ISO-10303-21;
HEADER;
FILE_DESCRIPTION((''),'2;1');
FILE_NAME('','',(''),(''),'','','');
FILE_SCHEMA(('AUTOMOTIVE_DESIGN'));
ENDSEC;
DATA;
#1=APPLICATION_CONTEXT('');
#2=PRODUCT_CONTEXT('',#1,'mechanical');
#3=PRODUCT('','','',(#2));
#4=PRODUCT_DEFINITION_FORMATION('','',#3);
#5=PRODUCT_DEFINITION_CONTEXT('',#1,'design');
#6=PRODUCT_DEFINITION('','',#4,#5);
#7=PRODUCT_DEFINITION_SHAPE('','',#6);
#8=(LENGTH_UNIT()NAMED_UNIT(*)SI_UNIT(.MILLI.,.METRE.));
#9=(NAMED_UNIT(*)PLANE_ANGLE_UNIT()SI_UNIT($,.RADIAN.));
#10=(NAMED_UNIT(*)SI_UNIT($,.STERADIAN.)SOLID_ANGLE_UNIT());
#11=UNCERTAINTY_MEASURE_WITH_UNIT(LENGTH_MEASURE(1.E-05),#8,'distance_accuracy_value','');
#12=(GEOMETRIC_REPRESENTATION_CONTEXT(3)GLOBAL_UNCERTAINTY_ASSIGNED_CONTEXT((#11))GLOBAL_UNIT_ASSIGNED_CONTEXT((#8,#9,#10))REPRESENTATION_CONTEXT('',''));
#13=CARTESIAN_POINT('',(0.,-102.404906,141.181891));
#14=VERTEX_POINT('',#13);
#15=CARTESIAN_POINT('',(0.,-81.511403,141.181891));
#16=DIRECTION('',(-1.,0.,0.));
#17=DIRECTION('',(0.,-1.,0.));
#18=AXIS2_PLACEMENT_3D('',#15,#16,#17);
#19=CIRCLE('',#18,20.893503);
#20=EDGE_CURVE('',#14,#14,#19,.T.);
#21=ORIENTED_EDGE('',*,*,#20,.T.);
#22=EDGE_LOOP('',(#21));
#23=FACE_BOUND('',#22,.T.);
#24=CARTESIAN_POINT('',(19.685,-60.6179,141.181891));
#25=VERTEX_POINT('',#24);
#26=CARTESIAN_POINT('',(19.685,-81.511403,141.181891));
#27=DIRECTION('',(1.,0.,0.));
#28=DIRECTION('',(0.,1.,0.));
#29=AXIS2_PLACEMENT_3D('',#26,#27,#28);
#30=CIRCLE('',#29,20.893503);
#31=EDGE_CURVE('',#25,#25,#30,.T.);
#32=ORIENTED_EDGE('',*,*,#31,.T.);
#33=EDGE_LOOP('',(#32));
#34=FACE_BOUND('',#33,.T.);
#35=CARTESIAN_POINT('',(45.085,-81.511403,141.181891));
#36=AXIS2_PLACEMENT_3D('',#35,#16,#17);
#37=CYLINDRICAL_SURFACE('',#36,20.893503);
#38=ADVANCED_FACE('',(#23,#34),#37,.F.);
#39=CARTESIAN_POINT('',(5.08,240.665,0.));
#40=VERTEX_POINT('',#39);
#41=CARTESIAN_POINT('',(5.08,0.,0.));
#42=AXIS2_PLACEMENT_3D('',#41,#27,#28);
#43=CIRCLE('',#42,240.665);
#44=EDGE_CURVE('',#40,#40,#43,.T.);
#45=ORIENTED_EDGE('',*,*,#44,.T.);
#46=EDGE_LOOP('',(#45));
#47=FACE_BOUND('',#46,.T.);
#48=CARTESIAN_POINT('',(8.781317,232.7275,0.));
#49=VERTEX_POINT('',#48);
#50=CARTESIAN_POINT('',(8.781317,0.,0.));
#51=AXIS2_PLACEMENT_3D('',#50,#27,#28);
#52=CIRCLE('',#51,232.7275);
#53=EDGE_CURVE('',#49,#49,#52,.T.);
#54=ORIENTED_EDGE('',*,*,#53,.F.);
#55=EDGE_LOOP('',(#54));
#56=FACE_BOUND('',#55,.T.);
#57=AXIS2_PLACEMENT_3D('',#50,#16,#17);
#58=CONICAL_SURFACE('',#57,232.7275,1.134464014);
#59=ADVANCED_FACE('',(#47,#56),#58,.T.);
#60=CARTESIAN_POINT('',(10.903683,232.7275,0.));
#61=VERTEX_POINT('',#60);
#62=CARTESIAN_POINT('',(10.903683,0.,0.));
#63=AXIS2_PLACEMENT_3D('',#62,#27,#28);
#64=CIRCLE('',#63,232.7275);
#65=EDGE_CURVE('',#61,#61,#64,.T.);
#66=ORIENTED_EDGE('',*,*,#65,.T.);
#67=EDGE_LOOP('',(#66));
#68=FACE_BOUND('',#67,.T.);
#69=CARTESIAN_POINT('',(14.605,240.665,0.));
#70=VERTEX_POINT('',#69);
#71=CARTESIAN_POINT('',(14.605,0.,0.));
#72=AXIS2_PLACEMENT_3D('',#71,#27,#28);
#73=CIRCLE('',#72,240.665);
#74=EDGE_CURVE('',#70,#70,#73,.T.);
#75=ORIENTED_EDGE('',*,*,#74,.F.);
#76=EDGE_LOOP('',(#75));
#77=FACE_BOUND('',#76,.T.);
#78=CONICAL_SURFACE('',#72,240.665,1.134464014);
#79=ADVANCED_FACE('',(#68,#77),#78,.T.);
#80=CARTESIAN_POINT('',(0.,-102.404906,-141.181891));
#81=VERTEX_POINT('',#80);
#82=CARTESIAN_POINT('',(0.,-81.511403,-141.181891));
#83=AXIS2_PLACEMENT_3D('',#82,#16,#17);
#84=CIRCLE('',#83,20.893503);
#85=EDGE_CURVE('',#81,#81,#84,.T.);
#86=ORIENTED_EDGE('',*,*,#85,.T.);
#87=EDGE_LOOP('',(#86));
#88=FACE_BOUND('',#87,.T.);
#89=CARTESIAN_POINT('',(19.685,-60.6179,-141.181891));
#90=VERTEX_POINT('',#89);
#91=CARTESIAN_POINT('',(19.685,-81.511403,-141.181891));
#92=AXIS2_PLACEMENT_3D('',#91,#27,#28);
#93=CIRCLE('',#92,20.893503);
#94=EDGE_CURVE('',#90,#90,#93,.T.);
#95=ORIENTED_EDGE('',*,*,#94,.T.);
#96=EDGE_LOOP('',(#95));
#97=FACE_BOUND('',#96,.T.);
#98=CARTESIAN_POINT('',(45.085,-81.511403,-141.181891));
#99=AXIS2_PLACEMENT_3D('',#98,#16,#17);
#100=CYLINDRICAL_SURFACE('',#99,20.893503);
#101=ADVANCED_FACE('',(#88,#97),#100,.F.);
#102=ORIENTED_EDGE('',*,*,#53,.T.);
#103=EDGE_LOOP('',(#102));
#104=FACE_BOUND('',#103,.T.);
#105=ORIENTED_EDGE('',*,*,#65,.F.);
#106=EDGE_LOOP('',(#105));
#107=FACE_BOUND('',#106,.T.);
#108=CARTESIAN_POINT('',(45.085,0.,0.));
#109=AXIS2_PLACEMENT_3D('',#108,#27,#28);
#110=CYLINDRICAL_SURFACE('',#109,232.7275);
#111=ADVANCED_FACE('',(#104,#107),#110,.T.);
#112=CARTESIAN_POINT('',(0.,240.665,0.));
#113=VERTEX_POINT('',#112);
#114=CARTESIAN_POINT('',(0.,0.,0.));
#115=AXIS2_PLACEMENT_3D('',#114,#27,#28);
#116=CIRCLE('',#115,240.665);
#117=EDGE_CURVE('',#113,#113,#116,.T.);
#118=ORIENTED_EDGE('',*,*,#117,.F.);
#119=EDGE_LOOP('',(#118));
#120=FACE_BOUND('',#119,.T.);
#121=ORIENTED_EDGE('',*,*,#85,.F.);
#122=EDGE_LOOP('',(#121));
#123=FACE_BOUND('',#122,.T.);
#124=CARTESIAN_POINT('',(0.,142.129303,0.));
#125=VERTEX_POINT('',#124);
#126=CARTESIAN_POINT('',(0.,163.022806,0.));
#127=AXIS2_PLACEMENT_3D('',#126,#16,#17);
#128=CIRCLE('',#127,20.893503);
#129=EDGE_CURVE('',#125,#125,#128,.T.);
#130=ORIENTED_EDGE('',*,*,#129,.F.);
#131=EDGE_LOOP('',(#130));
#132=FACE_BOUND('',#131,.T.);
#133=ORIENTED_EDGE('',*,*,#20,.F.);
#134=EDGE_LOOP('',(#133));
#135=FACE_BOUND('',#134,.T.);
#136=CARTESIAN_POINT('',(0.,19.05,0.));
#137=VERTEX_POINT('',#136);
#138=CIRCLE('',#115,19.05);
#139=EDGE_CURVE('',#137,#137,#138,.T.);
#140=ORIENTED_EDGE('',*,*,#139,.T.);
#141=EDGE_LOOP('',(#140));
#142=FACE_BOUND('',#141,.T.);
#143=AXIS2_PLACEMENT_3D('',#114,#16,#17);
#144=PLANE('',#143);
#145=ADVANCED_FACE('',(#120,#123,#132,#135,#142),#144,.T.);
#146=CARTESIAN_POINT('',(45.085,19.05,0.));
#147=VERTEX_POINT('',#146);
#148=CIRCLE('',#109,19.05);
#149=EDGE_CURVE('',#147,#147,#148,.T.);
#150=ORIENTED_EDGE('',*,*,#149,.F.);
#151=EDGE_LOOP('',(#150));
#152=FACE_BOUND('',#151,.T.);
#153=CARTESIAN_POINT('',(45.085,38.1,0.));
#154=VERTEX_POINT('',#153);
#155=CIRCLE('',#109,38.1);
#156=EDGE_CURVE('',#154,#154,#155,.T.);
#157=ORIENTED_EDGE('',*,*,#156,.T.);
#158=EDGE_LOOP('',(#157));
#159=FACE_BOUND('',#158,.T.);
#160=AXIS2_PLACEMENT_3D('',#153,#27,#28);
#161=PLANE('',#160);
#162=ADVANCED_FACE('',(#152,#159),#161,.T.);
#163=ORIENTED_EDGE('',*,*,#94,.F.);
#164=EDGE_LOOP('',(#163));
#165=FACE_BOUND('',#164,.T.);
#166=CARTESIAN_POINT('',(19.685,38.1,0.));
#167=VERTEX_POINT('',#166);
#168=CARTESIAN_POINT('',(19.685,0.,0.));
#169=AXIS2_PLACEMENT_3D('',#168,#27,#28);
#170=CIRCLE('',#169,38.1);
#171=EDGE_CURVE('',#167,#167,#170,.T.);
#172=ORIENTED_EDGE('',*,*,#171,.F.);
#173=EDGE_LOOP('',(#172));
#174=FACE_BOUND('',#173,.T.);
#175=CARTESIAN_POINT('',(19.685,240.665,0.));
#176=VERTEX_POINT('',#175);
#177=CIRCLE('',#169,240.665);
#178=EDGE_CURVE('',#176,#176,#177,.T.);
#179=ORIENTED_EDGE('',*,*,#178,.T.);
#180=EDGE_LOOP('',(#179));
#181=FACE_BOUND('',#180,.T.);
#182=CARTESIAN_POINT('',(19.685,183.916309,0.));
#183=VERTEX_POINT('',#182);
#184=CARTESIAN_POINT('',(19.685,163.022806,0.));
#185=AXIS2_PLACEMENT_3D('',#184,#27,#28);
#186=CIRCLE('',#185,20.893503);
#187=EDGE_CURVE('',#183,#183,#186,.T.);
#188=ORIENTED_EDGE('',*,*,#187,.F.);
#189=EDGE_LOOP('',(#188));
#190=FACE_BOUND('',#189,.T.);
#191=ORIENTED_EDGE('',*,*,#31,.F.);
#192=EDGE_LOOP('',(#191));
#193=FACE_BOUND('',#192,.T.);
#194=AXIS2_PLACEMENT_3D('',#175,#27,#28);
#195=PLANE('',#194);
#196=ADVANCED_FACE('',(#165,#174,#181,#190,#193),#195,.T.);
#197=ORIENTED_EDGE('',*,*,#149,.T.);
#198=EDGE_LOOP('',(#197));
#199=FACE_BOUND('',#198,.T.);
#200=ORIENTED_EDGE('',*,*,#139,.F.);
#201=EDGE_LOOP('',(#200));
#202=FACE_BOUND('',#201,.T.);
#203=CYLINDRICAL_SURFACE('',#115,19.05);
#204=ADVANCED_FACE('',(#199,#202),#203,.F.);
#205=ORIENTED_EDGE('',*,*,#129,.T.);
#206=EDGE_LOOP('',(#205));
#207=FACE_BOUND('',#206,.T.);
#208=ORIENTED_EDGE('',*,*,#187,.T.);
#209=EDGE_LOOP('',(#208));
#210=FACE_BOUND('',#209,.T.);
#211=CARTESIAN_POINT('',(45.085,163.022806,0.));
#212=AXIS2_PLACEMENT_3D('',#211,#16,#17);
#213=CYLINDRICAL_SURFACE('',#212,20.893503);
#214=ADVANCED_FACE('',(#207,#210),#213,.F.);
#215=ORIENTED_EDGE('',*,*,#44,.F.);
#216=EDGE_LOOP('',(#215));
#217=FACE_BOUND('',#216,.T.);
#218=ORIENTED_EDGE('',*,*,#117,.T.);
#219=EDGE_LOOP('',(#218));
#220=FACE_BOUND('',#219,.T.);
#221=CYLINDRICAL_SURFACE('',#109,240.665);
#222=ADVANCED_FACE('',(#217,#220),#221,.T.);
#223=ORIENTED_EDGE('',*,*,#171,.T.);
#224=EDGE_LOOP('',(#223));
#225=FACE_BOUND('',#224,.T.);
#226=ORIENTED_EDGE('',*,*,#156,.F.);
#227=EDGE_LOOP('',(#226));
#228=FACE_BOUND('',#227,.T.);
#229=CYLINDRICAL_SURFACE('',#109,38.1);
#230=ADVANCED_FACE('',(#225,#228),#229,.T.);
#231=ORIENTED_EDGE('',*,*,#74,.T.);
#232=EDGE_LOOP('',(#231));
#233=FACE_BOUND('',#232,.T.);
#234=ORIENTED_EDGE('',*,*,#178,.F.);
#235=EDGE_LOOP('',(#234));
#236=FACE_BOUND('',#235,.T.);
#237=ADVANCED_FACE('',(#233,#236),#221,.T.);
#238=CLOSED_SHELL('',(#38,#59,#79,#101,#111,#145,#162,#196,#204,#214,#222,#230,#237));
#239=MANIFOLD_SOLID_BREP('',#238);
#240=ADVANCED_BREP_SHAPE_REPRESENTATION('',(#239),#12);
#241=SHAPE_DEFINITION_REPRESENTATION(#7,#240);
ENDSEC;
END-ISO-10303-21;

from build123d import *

# Parameters (mm, degrees)
SKETCH3_R          = 19.05
CUT_EXTRUDE1_DEPTH = 344.324834049
SKETCH4_R          = 20.893502845
CUT_EXTRUDE2_DEPTH = 344.324834049


with BuildPart() as part:
    # Sketch2 → Revolve1 (revolve)
    with BuildSketch(Plane.XY):
        Polygon((0, 0), (0, 240.665), (5.08, 240.665), (8.781317037, 232.7275), (10.903682963, 232.7275), (14.605, 240.665), (19.685, 240.665), (19.685, 38.1), (45.085, 38.1), (45.085, 0), align=None)
    revolve(axis=Axis((45.085, 0, 0), (-1, 0, 0)))

    # Sketch3 → Cut-Extrude1 (cut, through all)
    with BuildSketch(Plane(origin=(45.085, 0, 0), x_dir=(0, 0, -1), z_dir=(1, 0, 0))):
        with Locations(Location((0, 0, 0), (0, 0, 90))):
            Circle(SKETCH3_R)
    extrude(amount=-CUT_EXTRUDE1_DEPTH, mode=Mode.SUBTRACT)

    # Sketch4 → Cut-Extrude2 (cut, through all)
    with BuildSketch(Plane.ZY):
        with Locations(Location((0, 163.022805962, 0), (0, 0, 270))):
            Circle(SKETCH4_R)
        with Locations(Location((141.181891359, -81.511402981, 0), (0, 0, 270))):
            Circle(SKETCH4_R)
        with Locations(Location((-141.181891359, -81.511402981, 0), (0, 0, 270))):
            Circle(SKETCH4_R)
    extrude(amount=-CUT_EXTRUDE2_DEPTH, mode=Mode.SUBTRACT)


solid = part.part
